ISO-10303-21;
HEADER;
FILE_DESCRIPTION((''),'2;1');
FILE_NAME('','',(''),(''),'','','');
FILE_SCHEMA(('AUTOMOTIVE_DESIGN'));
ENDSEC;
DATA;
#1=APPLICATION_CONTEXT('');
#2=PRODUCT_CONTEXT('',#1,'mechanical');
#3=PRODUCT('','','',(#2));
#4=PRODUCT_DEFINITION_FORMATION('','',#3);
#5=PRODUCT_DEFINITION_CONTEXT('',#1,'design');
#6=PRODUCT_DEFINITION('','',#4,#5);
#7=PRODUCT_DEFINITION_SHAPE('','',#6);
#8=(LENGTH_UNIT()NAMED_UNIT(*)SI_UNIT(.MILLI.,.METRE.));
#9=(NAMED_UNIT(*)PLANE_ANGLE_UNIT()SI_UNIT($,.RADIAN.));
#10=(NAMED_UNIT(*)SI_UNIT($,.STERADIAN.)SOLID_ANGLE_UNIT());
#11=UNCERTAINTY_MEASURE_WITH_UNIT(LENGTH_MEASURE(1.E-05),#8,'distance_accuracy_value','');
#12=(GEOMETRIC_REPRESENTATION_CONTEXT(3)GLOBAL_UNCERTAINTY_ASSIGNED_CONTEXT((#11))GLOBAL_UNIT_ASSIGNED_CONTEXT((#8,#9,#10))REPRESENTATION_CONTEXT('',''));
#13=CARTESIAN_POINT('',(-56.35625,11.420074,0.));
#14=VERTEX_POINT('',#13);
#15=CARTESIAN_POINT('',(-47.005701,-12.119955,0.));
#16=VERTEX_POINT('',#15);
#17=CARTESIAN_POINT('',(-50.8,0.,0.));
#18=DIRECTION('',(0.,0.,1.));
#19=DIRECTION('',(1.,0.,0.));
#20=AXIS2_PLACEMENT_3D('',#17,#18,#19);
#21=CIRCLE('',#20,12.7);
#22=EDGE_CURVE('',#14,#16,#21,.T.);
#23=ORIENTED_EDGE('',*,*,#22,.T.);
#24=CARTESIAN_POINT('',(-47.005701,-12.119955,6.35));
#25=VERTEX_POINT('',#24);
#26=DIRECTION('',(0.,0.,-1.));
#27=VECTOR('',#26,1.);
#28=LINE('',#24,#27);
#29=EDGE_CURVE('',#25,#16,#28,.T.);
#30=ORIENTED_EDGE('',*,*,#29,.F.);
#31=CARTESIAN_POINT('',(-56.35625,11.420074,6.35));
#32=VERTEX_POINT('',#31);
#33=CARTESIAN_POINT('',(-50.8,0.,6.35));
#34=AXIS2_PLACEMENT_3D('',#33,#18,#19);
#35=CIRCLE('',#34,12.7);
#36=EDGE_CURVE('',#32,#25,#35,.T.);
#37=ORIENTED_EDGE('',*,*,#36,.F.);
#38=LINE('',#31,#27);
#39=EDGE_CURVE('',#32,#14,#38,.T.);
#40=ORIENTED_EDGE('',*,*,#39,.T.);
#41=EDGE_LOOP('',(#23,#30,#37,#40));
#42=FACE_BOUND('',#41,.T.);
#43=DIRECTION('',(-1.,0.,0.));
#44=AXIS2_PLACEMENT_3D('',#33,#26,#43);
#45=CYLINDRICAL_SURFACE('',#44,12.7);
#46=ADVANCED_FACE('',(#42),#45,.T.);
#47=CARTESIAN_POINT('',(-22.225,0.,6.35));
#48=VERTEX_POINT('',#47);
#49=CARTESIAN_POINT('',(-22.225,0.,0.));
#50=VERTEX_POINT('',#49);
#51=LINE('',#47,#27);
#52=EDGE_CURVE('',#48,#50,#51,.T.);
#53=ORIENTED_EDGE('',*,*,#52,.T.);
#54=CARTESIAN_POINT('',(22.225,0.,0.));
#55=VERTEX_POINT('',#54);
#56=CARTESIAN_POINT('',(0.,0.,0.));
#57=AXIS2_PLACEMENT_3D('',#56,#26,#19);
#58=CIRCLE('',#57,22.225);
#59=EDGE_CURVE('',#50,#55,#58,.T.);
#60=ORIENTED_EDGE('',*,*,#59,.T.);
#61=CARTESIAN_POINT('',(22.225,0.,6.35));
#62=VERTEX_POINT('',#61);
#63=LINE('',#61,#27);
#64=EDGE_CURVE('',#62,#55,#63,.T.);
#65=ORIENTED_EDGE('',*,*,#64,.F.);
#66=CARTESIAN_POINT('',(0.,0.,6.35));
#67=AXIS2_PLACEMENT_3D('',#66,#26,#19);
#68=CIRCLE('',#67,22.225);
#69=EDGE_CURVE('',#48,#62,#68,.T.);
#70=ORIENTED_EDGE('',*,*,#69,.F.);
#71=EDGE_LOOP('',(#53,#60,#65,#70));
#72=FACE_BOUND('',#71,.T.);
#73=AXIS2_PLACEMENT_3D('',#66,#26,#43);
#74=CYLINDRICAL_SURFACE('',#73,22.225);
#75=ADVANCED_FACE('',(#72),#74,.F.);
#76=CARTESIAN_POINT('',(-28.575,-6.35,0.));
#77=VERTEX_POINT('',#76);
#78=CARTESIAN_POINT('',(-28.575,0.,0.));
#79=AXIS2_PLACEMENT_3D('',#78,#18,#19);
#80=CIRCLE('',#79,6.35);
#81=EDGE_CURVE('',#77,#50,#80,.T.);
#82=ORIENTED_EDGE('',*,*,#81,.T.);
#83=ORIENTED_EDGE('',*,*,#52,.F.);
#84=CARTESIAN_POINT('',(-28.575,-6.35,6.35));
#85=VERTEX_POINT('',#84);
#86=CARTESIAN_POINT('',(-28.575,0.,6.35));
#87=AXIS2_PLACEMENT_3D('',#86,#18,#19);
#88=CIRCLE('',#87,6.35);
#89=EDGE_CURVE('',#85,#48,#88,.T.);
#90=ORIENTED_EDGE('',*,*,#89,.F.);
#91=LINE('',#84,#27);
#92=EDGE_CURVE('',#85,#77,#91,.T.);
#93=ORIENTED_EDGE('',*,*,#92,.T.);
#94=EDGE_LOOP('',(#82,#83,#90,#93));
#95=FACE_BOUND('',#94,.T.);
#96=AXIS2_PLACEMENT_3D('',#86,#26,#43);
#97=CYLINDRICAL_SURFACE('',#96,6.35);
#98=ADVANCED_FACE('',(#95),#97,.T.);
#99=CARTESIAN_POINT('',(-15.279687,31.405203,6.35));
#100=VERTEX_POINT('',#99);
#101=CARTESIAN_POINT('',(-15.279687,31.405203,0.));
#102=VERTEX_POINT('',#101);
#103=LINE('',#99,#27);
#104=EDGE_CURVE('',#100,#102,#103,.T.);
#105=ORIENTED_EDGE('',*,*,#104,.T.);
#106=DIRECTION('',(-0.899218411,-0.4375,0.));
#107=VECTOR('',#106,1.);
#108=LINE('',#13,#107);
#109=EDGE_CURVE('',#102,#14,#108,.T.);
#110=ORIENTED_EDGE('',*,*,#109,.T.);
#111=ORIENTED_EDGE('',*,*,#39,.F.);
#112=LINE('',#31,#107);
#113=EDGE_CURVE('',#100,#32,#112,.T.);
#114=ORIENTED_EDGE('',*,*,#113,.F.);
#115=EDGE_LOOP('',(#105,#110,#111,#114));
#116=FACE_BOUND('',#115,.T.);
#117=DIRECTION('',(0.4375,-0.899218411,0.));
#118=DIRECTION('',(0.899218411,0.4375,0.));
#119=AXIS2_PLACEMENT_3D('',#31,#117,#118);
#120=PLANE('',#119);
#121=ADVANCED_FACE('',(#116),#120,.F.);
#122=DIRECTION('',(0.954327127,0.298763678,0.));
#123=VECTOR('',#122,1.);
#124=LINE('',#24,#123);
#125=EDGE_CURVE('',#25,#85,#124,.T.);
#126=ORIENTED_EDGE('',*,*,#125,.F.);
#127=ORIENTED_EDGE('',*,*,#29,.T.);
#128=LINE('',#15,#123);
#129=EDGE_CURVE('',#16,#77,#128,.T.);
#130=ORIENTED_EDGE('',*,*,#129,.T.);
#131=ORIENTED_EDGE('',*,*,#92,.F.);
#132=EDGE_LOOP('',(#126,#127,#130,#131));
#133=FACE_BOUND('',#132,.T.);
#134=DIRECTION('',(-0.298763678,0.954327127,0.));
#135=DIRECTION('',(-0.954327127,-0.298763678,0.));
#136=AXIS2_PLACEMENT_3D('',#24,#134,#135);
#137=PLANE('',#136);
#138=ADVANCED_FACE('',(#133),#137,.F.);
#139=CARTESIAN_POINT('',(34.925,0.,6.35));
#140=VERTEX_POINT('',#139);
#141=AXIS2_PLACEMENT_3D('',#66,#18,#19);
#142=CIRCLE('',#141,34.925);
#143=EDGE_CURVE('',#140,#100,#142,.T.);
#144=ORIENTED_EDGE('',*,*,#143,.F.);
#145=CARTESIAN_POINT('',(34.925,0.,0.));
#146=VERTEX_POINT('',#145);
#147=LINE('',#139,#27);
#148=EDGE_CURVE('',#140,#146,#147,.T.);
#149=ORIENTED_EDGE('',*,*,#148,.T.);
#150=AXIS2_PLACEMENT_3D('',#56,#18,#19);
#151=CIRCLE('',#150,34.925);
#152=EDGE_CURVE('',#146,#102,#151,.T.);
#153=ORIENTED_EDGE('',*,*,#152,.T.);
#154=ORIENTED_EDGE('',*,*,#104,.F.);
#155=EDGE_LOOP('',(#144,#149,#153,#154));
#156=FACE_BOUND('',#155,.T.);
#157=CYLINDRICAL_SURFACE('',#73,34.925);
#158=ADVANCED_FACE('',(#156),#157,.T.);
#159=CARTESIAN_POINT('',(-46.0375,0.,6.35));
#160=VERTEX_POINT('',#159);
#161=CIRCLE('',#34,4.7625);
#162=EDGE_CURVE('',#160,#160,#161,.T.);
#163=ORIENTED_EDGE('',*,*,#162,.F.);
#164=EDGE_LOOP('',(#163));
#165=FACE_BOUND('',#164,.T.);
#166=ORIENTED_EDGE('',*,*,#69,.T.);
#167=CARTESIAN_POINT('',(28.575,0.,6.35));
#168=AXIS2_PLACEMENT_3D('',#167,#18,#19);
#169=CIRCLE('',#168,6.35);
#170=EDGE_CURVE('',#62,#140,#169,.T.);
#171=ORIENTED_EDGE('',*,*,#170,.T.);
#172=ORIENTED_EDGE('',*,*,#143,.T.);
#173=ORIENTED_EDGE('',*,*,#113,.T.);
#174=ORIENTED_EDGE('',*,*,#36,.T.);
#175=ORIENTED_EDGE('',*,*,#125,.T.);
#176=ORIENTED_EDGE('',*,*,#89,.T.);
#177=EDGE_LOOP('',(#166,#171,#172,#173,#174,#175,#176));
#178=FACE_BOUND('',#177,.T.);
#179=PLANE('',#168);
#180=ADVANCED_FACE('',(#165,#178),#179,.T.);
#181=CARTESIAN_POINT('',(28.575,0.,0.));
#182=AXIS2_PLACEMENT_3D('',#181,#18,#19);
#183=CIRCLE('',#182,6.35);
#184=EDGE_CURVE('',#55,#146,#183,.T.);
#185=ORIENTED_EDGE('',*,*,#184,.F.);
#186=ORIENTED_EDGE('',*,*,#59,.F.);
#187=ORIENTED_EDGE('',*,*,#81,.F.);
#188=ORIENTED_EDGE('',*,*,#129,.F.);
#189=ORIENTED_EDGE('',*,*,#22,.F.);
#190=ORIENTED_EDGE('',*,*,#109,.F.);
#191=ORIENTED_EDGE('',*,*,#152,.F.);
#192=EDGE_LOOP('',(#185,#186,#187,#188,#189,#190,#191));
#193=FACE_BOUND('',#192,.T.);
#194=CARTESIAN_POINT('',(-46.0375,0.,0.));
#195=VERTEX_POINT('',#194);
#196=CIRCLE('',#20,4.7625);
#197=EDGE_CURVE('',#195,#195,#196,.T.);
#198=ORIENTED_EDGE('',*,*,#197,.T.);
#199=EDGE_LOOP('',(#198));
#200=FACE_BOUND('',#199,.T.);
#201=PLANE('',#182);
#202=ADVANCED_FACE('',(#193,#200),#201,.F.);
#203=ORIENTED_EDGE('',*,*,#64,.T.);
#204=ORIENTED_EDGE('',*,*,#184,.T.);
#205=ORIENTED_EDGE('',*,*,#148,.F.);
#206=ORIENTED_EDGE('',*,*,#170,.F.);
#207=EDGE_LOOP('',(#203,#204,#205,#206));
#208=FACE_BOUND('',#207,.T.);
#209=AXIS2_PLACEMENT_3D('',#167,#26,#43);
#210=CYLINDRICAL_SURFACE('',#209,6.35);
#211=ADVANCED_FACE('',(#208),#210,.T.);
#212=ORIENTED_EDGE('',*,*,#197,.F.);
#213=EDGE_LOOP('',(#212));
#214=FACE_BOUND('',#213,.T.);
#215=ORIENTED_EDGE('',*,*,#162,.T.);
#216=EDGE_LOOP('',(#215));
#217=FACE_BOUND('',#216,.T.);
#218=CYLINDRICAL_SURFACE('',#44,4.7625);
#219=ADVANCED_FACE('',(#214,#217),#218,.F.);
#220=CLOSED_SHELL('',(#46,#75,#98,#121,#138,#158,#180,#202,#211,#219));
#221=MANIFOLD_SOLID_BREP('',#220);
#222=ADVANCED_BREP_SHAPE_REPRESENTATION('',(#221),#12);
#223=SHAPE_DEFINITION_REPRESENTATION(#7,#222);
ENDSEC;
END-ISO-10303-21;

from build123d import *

# Parameters (mm, degrees)
SKETCH2_R           = 4.7625
BOSS_EXTRUDE1_DEPTH = 6.35


with BuildPart() as part:
    # Sketch2 → Boss-Extrude1 (new body)
    with BuildSketch(Plane.XY):
        with BuildLine():
            Line((-56.35625, 11.420073815), (-15.2796875, 31.405202991))
            ThreePointArc((-15.2796875, 31.405202991), (18.52177825, 29.609109333), (34.925, 0))
            ThreePointArc((34.925, 0), (28.575, -6.35), (22.225, 0))
            ThreePointArc((22.225, 0), (0, 22.225), (-22.225, 0))
            ThreePointArc((-22.225, 0), (-24.084871939, -4.490128061), (-28.575, -6.35))
            Line((-28.575, -6.35), (-47.005701288, -12.119954508))
            ThreePointArc((-47.005701288, -12.119954508), (-62.602938255, -4.688352434), (-56.35625, 11.420073815))
        make_face()
        with Locations((-50.8, 0)):
            Circle(SKETCH2_R, mode=Mode.SUBTRACT)
    extrude(amount=BOSS_EXTRUDE1_DEPTH)


solid = part.part
